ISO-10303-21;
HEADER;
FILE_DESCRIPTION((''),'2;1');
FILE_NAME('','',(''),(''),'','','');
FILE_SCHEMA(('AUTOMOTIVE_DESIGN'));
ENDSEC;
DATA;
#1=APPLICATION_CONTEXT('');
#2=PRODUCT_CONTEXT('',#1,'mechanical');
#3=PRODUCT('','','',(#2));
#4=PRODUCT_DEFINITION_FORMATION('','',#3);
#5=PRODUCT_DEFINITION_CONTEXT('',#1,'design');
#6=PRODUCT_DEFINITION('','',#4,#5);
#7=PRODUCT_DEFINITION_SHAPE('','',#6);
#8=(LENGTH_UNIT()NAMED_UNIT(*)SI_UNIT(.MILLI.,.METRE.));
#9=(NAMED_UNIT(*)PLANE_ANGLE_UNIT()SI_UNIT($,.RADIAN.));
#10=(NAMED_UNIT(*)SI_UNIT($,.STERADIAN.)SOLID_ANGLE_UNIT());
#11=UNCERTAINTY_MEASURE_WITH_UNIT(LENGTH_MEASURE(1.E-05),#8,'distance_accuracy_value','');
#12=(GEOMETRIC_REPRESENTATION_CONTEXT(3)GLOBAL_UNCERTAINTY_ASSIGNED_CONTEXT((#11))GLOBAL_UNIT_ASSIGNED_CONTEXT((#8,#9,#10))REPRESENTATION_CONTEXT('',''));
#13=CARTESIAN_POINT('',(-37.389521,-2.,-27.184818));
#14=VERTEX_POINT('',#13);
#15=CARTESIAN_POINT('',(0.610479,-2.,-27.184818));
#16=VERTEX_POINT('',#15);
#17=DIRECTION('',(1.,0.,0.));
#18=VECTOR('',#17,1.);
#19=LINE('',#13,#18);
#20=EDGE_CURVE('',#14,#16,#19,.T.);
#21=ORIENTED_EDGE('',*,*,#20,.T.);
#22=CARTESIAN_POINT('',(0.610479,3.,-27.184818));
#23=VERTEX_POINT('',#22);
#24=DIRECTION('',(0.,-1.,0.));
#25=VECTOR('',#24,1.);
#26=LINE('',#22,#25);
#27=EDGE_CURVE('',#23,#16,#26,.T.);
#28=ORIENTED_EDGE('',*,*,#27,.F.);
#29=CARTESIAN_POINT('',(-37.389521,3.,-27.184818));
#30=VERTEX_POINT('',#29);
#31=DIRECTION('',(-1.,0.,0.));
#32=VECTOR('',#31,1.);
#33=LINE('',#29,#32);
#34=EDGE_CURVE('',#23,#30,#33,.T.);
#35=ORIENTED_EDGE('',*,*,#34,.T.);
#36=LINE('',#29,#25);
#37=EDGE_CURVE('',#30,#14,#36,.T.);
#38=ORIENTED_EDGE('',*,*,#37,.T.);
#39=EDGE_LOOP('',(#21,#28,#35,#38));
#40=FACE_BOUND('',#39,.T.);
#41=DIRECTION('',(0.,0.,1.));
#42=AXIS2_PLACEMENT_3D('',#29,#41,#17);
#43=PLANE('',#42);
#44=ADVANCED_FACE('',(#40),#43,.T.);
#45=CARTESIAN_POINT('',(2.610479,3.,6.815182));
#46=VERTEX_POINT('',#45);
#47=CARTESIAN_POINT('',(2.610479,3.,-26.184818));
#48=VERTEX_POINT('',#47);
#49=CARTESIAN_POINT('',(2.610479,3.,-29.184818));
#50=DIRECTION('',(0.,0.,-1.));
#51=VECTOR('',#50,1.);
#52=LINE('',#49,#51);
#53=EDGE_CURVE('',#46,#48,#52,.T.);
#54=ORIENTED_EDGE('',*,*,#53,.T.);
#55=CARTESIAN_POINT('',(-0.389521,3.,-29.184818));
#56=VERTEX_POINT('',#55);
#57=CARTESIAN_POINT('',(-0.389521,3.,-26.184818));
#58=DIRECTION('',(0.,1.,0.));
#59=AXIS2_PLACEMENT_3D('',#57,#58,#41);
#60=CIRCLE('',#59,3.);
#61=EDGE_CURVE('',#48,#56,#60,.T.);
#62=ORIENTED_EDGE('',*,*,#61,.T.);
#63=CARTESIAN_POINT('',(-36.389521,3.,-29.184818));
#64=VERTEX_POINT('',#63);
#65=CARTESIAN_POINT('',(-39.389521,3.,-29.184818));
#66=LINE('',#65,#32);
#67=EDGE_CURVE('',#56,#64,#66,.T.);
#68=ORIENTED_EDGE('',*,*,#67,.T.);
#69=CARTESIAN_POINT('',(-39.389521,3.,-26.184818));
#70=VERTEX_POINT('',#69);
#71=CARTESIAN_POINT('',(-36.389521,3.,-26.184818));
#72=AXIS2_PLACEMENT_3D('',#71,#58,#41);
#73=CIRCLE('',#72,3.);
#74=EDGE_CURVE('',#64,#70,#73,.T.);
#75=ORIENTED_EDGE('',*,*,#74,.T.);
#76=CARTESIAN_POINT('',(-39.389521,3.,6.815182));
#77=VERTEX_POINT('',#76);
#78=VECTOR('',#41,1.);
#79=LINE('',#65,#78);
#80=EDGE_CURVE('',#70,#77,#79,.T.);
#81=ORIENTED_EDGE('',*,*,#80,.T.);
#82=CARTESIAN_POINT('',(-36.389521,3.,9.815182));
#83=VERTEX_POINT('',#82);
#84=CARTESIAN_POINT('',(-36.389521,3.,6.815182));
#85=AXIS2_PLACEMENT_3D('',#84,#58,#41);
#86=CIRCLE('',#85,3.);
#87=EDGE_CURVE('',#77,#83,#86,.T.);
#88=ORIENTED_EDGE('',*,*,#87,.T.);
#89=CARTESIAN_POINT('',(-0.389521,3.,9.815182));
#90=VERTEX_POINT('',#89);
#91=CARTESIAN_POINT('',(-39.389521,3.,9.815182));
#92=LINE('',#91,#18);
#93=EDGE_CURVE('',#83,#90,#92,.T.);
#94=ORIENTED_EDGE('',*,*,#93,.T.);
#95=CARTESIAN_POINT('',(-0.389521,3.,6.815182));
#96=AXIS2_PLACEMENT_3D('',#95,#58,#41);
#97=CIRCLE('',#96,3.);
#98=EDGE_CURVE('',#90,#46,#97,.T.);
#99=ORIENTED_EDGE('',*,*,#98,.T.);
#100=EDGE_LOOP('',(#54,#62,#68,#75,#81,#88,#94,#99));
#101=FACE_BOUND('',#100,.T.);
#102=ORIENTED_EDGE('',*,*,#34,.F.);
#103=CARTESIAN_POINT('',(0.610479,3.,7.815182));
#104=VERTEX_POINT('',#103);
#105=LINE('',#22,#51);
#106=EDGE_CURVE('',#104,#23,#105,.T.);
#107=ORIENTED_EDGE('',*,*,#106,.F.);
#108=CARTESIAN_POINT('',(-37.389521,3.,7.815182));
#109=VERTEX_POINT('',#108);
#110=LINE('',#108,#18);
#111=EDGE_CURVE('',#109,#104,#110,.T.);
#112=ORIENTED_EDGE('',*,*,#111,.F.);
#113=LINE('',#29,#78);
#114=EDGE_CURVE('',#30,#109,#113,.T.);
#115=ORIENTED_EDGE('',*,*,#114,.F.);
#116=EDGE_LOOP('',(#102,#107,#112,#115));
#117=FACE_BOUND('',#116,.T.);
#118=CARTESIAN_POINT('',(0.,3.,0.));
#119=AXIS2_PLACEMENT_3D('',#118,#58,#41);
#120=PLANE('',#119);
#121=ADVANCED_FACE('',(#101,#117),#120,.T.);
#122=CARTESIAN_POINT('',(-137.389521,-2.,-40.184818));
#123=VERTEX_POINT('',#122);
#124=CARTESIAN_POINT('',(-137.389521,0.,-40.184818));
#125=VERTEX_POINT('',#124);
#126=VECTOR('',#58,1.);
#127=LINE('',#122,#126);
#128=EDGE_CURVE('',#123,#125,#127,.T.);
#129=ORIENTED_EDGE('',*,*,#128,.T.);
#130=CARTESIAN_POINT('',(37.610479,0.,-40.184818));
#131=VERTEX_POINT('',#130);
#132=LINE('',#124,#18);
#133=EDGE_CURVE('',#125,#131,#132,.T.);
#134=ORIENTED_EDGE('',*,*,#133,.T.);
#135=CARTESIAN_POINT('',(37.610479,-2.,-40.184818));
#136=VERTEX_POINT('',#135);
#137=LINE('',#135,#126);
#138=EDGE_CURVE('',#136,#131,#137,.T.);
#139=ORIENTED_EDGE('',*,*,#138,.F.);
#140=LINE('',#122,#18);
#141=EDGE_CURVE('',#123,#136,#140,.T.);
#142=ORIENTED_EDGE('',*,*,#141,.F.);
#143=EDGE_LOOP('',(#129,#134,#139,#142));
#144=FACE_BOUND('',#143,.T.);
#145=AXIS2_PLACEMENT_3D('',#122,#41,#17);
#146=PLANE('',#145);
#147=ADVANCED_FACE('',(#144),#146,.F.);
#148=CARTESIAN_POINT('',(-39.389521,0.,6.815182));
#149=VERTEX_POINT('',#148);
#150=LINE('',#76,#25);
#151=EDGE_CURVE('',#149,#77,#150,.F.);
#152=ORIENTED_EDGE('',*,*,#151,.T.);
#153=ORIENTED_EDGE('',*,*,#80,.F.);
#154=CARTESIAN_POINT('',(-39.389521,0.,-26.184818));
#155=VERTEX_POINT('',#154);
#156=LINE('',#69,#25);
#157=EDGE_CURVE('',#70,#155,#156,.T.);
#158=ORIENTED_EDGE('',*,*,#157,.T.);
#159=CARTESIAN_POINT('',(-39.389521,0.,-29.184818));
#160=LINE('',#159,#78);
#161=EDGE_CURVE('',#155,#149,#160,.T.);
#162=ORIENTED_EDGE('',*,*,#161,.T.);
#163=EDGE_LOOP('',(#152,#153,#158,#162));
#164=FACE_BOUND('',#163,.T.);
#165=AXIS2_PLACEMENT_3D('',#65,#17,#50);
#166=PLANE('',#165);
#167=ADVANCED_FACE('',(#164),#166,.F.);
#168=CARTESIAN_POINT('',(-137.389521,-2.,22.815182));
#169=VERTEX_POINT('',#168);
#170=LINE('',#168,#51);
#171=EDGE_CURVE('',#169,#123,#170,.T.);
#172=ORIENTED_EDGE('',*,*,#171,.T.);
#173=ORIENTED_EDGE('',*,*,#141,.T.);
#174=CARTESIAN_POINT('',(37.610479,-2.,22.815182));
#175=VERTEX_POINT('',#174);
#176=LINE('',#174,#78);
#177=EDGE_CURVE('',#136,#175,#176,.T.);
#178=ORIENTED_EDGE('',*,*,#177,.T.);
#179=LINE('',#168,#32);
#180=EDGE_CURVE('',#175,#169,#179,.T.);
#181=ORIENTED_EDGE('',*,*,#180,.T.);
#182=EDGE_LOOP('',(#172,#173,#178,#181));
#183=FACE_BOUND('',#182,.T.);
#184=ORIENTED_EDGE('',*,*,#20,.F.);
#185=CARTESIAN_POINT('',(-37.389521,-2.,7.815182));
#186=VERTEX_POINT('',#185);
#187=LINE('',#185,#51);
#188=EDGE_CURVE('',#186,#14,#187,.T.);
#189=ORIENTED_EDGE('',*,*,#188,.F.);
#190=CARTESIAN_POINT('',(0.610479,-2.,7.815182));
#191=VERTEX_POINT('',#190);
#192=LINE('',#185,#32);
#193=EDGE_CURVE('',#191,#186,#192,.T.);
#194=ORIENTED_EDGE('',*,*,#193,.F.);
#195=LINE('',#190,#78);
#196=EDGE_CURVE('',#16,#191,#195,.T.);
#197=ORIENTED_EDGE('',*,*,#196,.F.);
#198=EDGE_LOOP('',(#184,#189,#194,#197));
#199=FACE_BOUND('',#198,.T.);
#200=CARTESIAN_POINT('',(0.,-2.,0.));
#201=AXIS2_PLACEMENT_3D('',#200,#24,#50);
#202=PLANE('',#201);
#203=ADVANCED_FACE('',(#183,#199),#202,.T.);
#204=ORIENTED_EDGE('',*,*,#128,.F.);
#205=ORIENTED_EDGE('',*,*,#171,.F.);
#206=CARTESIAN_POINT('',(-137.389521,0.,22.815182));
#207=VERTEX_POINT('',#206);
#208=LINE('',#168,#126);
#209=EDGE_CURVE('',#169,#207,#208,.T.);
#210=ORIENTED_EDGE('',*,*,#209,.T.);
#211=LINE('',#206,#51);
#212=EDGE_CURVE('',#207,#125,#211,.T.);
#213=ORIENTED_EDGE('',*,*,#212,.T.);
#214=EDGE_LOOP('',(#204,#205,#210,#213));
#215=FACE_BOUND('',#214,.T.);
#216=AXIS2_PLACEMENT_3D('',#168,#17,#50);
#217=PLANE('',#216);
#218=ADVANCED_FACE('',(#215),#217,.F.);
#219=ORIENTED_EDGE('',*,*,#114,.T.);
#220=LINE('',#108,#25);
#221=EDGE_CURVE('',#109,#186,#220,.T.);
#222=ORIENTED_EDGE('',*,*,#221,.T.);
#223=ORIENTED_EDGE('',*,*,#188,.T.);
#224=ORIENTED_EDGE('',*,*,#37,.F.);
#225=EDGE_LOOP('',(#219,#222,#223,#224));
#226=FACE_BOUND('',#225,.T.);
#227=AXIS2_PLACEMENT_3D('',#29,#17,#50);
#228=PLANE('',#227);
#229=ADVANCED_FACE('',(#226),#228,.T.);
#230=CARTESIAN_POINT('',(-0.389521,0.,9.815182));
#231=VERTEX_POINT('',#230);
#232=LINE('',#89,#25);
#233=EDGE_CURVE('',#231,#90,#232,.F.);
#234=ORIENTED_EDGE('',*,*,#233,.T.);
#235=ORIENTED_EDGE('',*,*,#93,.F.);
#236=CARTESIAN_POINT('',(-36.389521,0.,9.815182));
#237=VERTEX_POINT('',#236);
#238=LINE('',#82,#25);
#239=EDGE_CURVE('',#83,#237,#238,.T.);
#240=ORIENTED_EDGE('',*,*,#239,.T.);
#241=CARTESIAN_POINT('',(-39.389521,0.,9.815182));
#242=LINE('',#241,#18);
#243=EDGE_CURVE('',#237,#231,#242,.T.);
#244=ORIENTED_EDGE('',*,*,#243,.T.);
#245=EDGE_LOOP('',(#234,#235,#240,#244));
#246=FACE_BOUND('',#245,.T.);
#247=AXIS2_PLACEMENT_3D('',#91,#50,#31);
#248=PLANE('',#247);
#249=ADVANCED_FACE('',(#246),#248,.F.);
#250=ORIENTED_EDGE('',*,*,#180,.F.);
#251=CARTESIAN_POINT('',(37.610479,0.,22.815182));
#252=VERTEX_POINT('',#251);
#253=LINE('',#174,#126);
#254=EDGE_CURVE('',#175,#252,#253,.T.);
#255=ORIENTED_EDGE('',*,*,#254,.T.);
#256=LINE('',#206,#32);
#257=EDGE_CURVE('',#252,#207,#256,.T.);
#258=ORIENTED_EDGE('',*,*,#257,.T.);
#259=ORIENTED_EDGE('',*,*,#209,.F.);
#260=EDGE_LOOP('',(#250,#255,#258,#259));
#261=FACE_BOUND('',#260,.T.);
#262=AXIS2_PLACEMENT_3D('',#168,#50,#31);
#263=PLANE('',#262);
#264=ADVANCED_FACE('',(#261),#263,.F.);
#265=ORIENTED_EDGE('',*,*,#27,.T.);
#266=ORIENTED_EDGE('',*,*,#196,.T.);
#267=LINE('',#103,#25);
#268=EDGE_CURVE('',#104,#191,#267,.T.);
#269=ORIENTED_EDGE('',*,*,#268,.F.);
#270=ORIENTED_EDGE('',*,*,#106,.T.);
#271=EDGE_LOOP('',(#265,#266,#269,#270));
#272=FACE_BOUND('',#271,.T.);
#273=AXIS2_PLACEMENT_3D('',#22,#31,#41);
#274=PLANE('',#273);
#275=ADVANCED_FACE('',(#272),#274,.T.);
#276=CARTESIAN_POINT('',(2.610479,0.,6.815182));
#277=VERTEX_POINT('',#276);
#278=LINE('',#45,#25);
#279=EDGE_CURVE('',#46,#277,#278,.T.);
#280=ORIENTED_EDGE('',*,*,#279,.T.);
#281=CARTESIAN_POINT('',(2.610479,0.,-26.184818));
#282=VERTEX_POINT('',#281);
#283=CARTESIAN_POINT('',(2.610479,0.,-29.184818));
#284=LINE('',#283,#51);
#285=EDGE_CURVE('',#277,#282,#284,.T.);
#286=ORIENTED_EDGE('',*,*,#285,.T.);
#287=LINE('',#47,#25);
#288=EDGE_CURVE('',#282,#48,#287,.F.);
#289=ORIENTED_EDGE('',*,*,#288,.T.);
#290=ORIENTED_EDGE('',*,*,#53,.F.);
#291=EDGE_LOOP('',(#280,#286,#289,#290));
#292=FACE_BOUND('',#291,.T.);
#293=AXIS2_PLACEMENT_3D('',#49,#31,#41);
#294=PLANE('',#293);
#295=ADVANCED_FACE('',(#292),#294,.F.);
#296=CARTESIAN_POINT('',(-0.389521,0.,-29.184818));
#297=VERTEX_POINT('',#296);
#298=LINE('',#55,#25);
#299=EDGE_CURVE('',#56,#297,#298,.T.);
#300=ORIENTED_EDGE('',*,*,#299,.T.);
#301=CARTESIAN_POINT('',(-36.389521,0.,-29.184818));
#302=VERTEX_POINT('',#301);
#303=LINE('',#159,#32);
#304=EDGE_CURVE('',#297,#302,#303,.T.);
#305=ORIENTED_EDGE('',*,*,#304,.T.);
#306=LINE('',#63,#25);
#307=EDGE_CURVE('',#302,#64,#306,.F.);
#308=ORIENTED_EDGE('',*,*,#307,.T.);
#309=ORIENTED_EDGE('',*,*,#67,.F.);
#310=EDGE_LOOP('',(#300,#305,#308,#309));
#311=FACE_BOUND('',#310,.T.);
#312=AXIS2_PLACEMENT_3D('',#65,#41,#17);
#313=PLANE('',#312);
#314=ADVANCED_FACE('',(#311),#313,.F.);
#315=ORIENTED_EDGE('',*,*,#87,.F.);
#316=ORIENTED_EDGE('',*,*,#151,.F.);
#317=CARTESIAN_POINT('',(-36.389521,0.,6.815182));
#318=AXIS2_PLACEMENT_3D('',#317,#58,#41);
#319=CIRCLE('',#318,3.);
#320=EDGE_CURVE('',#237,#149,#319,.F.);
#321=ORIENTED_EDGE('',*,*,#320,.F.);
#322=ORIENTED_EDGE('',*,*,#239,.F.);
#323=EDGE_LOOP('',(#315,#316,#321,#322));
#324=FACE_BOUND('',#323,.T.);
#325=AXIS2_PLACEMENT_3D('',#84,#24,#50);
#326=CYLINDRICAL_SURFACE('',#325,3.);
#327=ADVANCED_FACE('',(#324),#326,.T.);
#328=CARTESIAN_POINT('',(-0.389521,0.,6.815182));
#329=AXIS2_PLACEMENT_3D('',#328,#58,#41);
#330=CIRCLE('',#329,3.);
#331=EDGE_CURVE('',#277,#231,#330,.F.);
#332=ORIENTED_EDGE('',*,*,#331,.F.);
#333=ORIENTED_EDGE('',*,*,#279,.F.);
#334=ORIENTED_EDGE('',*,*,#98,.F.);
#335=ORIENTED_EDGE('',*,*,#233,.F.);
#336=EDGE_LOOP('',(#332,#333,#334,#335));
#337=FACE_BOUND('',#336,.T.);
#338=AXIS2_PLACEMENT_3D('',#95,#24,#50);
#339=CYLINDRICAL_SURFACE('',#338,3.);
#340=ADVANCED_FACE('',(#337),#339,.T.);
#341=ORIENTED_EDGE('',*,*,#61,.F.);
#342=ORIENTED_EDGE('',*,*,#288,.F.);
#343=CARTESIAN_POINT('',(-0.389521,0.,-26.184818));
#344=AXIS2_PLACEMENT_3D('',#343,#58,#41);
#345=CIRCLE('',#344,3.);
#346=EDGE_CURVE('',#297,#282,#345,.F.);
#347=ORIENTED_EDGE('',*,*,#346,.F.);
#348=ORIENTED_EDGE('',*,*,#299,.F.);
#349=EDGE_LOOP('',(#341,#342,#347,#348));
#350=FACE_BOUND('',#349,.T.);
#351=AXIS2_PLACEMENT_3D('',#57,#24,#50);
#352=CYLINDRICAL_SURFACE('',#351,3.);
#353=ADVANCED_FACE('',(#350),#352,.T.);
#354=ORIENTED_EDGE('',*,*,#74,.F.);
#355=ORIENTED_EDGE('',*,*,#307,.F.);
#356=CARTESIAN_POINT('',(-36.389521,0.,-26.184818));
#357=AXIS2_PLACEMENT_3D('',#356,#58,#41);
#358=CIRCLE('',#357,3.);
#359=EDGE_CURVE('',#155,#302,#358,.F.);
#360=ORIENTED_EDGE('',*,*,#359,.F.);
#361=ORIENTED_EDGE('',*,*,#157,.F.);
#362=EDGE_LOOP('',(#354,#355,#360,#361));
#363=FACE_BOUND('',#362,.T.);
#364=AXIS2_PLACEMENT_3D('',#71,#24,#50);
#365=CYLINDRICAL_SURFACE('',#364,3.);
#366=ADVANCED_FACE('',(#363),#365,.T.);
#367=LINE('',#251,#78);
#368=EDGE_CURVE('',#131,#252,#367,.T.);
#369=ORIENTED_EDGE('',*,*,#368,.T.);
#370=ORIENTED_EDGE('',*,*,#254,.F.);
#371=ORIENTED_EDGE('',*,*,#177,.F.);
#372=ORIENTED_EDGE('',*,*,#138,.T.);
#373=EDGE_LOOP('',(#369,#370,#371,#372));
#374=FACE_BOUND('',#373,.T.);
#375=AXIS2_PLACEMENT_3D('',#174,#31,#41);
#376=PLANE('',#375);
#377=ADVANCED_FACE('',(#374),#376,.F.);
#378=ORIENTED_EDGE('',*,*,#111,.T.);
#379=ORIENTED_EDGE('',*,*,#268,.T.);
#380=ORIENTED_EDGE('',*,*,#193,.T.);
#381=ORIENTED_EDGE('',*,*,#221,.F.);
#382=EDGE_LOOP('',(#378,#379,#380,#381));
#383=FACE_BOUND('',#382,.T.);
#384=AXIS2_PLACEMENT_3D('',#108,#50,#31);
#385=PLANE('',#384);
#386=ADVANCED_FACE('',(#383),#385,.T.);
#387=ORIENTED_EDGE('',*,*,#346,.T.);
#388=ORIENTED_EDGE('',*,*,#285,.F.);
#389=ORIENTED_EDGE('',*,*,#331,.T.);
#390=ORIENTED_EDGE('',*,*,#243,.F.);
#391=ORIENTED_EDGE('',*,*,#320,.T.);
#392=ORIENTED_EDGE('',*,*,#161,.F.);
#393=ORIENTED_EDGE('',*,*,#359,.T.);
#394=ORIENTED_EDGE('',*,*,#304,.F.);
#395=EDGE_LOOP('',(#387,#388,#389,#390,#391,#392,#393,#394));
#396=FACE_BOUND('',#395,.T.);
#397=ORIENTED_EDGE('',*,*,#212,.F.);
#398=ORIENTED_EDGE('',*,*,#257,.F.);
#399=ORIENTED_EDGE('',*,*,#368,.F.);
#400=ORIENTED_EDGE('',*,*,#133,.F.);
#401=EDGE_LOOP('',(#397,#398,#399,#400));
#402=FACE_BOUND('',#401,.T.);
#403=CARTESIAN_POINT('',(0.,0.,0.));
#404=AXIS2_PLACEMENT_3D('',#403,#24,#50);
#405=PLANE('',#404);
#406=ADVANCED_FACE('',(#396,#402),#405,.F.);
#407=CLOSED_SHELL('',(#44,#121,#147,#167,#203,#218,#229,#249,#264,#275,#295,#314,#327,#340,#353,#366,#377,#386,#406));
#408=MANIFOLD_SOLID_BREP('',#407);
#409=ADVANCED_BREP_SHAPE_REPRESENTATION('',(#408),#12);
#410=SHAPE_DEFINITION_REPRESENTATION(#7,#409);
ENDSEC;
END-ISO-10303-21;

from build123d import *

# Parameters (mm, degrees)
SKETCH1_W           = 42
SKETCH1_H           = 39
SKETCH1_W_2         = 38
SKETCH1_H_2         = 35
BOSS_EXTRUDE1_DEPTH = 3
FILLET2_R           = 3
SKETCH5_W           = 175
SKETCH5_H           = 63
SKETCH5_W_2         = 38
SKETCH5_H_2         = 35
BOSS_EXTRUDE2_DEPTH = 2


with BuildPart() as part:
    # Sketch1 → Boss-Extrude1 (new body)
    with BuildSketch(Plane(origin=(0, 0, 0), x_dir=(1, 0, 0), z_dir=(0, 1, 0))):
        with Locations((-18.389520702, 9.684818057)):
            Rectangle(SKETCH1_W, SKETCH1_H)
        with Locations((-18.389520702, 9.684818057)):
            Rectangle(SKETCH1_W_2, SKETCH1_H_2, mode=Mode.SUBTRACT)
    extrude(amount=BOSS_EXTRUDE1_DEPTH)

    # Fillet2
    fillet2_edges = [part.edges().sort_by_distance(p)[0] for p in [
        (-39.389520702, 1.5, -29.184818057),
        (2.610479298, 1.5, -29.184818057),
        (2.610479298, 1.5, 9.815181943),
        (-39.389520702, 1.5, 9.815181943),
    ]]
    fillet(fillet2_edges, radius=FILLET2_R)

    # Sketch5 → Boss-Extrude2 (add)
    with BuildSketch(Plane.XZ):
        with Locations((-49.889520702, -8.684818057)):
            Rectangle(SKETCH5_W, SKETCH5_H)
        with Locations((-18.389520702, -9.684818057)):
            Rectangle(SKETCH5_W_2, SKETCH5_H_2, mode=Mode.SUBTRACT)
    extrude(amount=BOSS_EXTRUDE2_DEPTH)


solid = part.part
